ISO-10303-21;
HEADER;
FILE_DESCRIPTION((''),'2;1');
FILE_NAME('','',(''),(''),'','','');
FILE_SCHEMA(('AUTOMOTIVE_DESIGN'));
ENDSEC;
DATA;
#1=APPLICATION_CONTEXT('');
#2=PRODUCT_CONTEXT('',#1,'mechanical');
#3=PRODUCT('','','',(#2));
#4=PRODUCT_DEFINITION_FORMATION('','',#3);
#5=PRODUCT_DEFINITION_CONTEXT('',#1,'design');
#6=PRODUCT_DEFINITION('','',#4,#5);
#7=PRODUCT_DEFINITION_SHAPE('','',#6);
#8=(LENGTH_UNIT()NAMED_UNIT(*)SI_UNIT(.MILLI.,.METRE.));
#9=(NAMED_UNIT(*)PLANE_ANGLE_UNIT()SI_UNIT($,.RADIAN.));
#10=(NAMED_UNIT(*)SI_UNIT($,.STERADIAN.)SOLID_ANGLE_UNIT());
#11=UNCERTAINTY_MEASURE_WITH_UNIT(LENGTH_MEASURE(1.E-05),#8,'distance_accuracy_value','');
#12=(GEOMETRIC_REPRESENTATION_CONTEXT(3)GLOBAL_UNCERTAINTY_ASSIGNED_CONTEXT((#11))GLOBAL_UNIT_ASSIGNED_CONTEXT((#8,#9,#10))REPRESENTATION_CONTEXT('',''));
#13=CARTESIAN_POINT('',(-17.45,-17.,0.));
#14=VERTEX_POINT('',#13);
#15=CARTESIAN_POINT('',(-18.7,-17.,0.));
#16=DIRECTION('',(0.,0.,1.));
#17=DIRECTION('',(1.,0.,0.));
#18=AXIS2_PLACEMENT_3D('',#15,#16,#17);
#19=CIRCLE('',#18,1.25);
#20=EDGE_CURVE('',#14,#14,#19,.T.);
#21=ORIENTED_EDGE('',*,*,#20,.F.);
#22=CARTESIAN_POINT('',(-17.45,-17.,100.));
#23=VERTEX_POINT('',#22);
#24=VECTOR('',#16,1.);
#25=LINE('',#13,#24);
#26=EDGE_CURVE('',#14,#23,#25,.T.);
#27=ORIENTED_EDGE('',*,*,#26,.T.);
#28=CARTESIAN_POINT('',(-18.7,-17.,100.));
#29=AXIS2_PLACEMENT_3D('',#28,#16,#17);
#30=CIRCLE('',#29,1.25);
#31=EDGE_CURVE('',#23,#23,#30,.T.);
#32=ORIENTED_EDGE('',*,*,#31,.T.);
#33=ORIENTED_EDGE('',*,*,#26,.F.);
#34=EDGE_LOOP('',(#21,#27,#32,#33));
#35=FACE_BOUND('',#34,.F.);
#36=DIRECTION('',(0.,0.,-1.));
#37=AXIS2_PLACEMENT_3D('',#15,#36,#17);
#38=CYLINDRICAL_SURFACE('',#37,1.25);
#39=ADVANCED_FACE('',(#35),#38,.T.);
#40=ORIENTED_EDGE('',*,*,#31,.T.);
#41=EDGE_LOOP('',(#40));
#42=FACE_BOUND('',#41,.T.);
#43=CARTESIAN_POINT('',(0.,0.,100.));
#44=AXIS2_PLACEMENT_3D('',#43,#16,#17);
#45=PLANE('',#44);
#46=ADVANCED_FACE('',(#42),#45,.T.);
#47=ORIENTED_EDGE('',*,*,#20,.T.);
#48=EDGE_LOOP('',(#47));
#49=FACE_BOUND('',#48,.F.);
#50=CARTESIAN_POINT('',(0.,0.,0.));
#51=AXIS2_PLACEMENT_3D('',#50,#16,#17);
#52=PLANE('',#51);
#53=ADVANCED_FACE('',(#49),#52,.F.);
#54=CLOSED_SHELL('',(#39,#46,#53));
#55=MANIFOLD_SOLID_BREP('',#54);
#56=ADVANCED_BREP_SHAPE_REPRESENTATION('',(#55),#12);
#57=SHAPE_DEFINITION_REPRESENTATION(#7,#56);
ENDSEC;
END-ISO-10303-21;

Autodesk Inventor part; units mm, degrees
ref_plane "YZ Plane" through (0, 0, 0) normal (1, 0, 0) x (0, 1, 0)
ref_plane "XZ Plane" through (0, 0, 0) normal (0, 1, 0) x (-1, 0, 0)
ref_plane "XY Plane" through (0, 0, 0) normal (0, 0, 1) x (1, 0, 0)
sketch "Szkic1" plane through (0, 0, 0) normal (0, 0, 1) x (1, 0, 0)
  circle A0 centre (-18.7, -17) radius 1.25 projected
  point P0 (0, 0)
  dimension "d0" = 100
extrude "Wyciągnięcie proste1" add sketch "Szkic1" along normal blind 100
properties part number "rod_CPY1" material "Aluminium"
